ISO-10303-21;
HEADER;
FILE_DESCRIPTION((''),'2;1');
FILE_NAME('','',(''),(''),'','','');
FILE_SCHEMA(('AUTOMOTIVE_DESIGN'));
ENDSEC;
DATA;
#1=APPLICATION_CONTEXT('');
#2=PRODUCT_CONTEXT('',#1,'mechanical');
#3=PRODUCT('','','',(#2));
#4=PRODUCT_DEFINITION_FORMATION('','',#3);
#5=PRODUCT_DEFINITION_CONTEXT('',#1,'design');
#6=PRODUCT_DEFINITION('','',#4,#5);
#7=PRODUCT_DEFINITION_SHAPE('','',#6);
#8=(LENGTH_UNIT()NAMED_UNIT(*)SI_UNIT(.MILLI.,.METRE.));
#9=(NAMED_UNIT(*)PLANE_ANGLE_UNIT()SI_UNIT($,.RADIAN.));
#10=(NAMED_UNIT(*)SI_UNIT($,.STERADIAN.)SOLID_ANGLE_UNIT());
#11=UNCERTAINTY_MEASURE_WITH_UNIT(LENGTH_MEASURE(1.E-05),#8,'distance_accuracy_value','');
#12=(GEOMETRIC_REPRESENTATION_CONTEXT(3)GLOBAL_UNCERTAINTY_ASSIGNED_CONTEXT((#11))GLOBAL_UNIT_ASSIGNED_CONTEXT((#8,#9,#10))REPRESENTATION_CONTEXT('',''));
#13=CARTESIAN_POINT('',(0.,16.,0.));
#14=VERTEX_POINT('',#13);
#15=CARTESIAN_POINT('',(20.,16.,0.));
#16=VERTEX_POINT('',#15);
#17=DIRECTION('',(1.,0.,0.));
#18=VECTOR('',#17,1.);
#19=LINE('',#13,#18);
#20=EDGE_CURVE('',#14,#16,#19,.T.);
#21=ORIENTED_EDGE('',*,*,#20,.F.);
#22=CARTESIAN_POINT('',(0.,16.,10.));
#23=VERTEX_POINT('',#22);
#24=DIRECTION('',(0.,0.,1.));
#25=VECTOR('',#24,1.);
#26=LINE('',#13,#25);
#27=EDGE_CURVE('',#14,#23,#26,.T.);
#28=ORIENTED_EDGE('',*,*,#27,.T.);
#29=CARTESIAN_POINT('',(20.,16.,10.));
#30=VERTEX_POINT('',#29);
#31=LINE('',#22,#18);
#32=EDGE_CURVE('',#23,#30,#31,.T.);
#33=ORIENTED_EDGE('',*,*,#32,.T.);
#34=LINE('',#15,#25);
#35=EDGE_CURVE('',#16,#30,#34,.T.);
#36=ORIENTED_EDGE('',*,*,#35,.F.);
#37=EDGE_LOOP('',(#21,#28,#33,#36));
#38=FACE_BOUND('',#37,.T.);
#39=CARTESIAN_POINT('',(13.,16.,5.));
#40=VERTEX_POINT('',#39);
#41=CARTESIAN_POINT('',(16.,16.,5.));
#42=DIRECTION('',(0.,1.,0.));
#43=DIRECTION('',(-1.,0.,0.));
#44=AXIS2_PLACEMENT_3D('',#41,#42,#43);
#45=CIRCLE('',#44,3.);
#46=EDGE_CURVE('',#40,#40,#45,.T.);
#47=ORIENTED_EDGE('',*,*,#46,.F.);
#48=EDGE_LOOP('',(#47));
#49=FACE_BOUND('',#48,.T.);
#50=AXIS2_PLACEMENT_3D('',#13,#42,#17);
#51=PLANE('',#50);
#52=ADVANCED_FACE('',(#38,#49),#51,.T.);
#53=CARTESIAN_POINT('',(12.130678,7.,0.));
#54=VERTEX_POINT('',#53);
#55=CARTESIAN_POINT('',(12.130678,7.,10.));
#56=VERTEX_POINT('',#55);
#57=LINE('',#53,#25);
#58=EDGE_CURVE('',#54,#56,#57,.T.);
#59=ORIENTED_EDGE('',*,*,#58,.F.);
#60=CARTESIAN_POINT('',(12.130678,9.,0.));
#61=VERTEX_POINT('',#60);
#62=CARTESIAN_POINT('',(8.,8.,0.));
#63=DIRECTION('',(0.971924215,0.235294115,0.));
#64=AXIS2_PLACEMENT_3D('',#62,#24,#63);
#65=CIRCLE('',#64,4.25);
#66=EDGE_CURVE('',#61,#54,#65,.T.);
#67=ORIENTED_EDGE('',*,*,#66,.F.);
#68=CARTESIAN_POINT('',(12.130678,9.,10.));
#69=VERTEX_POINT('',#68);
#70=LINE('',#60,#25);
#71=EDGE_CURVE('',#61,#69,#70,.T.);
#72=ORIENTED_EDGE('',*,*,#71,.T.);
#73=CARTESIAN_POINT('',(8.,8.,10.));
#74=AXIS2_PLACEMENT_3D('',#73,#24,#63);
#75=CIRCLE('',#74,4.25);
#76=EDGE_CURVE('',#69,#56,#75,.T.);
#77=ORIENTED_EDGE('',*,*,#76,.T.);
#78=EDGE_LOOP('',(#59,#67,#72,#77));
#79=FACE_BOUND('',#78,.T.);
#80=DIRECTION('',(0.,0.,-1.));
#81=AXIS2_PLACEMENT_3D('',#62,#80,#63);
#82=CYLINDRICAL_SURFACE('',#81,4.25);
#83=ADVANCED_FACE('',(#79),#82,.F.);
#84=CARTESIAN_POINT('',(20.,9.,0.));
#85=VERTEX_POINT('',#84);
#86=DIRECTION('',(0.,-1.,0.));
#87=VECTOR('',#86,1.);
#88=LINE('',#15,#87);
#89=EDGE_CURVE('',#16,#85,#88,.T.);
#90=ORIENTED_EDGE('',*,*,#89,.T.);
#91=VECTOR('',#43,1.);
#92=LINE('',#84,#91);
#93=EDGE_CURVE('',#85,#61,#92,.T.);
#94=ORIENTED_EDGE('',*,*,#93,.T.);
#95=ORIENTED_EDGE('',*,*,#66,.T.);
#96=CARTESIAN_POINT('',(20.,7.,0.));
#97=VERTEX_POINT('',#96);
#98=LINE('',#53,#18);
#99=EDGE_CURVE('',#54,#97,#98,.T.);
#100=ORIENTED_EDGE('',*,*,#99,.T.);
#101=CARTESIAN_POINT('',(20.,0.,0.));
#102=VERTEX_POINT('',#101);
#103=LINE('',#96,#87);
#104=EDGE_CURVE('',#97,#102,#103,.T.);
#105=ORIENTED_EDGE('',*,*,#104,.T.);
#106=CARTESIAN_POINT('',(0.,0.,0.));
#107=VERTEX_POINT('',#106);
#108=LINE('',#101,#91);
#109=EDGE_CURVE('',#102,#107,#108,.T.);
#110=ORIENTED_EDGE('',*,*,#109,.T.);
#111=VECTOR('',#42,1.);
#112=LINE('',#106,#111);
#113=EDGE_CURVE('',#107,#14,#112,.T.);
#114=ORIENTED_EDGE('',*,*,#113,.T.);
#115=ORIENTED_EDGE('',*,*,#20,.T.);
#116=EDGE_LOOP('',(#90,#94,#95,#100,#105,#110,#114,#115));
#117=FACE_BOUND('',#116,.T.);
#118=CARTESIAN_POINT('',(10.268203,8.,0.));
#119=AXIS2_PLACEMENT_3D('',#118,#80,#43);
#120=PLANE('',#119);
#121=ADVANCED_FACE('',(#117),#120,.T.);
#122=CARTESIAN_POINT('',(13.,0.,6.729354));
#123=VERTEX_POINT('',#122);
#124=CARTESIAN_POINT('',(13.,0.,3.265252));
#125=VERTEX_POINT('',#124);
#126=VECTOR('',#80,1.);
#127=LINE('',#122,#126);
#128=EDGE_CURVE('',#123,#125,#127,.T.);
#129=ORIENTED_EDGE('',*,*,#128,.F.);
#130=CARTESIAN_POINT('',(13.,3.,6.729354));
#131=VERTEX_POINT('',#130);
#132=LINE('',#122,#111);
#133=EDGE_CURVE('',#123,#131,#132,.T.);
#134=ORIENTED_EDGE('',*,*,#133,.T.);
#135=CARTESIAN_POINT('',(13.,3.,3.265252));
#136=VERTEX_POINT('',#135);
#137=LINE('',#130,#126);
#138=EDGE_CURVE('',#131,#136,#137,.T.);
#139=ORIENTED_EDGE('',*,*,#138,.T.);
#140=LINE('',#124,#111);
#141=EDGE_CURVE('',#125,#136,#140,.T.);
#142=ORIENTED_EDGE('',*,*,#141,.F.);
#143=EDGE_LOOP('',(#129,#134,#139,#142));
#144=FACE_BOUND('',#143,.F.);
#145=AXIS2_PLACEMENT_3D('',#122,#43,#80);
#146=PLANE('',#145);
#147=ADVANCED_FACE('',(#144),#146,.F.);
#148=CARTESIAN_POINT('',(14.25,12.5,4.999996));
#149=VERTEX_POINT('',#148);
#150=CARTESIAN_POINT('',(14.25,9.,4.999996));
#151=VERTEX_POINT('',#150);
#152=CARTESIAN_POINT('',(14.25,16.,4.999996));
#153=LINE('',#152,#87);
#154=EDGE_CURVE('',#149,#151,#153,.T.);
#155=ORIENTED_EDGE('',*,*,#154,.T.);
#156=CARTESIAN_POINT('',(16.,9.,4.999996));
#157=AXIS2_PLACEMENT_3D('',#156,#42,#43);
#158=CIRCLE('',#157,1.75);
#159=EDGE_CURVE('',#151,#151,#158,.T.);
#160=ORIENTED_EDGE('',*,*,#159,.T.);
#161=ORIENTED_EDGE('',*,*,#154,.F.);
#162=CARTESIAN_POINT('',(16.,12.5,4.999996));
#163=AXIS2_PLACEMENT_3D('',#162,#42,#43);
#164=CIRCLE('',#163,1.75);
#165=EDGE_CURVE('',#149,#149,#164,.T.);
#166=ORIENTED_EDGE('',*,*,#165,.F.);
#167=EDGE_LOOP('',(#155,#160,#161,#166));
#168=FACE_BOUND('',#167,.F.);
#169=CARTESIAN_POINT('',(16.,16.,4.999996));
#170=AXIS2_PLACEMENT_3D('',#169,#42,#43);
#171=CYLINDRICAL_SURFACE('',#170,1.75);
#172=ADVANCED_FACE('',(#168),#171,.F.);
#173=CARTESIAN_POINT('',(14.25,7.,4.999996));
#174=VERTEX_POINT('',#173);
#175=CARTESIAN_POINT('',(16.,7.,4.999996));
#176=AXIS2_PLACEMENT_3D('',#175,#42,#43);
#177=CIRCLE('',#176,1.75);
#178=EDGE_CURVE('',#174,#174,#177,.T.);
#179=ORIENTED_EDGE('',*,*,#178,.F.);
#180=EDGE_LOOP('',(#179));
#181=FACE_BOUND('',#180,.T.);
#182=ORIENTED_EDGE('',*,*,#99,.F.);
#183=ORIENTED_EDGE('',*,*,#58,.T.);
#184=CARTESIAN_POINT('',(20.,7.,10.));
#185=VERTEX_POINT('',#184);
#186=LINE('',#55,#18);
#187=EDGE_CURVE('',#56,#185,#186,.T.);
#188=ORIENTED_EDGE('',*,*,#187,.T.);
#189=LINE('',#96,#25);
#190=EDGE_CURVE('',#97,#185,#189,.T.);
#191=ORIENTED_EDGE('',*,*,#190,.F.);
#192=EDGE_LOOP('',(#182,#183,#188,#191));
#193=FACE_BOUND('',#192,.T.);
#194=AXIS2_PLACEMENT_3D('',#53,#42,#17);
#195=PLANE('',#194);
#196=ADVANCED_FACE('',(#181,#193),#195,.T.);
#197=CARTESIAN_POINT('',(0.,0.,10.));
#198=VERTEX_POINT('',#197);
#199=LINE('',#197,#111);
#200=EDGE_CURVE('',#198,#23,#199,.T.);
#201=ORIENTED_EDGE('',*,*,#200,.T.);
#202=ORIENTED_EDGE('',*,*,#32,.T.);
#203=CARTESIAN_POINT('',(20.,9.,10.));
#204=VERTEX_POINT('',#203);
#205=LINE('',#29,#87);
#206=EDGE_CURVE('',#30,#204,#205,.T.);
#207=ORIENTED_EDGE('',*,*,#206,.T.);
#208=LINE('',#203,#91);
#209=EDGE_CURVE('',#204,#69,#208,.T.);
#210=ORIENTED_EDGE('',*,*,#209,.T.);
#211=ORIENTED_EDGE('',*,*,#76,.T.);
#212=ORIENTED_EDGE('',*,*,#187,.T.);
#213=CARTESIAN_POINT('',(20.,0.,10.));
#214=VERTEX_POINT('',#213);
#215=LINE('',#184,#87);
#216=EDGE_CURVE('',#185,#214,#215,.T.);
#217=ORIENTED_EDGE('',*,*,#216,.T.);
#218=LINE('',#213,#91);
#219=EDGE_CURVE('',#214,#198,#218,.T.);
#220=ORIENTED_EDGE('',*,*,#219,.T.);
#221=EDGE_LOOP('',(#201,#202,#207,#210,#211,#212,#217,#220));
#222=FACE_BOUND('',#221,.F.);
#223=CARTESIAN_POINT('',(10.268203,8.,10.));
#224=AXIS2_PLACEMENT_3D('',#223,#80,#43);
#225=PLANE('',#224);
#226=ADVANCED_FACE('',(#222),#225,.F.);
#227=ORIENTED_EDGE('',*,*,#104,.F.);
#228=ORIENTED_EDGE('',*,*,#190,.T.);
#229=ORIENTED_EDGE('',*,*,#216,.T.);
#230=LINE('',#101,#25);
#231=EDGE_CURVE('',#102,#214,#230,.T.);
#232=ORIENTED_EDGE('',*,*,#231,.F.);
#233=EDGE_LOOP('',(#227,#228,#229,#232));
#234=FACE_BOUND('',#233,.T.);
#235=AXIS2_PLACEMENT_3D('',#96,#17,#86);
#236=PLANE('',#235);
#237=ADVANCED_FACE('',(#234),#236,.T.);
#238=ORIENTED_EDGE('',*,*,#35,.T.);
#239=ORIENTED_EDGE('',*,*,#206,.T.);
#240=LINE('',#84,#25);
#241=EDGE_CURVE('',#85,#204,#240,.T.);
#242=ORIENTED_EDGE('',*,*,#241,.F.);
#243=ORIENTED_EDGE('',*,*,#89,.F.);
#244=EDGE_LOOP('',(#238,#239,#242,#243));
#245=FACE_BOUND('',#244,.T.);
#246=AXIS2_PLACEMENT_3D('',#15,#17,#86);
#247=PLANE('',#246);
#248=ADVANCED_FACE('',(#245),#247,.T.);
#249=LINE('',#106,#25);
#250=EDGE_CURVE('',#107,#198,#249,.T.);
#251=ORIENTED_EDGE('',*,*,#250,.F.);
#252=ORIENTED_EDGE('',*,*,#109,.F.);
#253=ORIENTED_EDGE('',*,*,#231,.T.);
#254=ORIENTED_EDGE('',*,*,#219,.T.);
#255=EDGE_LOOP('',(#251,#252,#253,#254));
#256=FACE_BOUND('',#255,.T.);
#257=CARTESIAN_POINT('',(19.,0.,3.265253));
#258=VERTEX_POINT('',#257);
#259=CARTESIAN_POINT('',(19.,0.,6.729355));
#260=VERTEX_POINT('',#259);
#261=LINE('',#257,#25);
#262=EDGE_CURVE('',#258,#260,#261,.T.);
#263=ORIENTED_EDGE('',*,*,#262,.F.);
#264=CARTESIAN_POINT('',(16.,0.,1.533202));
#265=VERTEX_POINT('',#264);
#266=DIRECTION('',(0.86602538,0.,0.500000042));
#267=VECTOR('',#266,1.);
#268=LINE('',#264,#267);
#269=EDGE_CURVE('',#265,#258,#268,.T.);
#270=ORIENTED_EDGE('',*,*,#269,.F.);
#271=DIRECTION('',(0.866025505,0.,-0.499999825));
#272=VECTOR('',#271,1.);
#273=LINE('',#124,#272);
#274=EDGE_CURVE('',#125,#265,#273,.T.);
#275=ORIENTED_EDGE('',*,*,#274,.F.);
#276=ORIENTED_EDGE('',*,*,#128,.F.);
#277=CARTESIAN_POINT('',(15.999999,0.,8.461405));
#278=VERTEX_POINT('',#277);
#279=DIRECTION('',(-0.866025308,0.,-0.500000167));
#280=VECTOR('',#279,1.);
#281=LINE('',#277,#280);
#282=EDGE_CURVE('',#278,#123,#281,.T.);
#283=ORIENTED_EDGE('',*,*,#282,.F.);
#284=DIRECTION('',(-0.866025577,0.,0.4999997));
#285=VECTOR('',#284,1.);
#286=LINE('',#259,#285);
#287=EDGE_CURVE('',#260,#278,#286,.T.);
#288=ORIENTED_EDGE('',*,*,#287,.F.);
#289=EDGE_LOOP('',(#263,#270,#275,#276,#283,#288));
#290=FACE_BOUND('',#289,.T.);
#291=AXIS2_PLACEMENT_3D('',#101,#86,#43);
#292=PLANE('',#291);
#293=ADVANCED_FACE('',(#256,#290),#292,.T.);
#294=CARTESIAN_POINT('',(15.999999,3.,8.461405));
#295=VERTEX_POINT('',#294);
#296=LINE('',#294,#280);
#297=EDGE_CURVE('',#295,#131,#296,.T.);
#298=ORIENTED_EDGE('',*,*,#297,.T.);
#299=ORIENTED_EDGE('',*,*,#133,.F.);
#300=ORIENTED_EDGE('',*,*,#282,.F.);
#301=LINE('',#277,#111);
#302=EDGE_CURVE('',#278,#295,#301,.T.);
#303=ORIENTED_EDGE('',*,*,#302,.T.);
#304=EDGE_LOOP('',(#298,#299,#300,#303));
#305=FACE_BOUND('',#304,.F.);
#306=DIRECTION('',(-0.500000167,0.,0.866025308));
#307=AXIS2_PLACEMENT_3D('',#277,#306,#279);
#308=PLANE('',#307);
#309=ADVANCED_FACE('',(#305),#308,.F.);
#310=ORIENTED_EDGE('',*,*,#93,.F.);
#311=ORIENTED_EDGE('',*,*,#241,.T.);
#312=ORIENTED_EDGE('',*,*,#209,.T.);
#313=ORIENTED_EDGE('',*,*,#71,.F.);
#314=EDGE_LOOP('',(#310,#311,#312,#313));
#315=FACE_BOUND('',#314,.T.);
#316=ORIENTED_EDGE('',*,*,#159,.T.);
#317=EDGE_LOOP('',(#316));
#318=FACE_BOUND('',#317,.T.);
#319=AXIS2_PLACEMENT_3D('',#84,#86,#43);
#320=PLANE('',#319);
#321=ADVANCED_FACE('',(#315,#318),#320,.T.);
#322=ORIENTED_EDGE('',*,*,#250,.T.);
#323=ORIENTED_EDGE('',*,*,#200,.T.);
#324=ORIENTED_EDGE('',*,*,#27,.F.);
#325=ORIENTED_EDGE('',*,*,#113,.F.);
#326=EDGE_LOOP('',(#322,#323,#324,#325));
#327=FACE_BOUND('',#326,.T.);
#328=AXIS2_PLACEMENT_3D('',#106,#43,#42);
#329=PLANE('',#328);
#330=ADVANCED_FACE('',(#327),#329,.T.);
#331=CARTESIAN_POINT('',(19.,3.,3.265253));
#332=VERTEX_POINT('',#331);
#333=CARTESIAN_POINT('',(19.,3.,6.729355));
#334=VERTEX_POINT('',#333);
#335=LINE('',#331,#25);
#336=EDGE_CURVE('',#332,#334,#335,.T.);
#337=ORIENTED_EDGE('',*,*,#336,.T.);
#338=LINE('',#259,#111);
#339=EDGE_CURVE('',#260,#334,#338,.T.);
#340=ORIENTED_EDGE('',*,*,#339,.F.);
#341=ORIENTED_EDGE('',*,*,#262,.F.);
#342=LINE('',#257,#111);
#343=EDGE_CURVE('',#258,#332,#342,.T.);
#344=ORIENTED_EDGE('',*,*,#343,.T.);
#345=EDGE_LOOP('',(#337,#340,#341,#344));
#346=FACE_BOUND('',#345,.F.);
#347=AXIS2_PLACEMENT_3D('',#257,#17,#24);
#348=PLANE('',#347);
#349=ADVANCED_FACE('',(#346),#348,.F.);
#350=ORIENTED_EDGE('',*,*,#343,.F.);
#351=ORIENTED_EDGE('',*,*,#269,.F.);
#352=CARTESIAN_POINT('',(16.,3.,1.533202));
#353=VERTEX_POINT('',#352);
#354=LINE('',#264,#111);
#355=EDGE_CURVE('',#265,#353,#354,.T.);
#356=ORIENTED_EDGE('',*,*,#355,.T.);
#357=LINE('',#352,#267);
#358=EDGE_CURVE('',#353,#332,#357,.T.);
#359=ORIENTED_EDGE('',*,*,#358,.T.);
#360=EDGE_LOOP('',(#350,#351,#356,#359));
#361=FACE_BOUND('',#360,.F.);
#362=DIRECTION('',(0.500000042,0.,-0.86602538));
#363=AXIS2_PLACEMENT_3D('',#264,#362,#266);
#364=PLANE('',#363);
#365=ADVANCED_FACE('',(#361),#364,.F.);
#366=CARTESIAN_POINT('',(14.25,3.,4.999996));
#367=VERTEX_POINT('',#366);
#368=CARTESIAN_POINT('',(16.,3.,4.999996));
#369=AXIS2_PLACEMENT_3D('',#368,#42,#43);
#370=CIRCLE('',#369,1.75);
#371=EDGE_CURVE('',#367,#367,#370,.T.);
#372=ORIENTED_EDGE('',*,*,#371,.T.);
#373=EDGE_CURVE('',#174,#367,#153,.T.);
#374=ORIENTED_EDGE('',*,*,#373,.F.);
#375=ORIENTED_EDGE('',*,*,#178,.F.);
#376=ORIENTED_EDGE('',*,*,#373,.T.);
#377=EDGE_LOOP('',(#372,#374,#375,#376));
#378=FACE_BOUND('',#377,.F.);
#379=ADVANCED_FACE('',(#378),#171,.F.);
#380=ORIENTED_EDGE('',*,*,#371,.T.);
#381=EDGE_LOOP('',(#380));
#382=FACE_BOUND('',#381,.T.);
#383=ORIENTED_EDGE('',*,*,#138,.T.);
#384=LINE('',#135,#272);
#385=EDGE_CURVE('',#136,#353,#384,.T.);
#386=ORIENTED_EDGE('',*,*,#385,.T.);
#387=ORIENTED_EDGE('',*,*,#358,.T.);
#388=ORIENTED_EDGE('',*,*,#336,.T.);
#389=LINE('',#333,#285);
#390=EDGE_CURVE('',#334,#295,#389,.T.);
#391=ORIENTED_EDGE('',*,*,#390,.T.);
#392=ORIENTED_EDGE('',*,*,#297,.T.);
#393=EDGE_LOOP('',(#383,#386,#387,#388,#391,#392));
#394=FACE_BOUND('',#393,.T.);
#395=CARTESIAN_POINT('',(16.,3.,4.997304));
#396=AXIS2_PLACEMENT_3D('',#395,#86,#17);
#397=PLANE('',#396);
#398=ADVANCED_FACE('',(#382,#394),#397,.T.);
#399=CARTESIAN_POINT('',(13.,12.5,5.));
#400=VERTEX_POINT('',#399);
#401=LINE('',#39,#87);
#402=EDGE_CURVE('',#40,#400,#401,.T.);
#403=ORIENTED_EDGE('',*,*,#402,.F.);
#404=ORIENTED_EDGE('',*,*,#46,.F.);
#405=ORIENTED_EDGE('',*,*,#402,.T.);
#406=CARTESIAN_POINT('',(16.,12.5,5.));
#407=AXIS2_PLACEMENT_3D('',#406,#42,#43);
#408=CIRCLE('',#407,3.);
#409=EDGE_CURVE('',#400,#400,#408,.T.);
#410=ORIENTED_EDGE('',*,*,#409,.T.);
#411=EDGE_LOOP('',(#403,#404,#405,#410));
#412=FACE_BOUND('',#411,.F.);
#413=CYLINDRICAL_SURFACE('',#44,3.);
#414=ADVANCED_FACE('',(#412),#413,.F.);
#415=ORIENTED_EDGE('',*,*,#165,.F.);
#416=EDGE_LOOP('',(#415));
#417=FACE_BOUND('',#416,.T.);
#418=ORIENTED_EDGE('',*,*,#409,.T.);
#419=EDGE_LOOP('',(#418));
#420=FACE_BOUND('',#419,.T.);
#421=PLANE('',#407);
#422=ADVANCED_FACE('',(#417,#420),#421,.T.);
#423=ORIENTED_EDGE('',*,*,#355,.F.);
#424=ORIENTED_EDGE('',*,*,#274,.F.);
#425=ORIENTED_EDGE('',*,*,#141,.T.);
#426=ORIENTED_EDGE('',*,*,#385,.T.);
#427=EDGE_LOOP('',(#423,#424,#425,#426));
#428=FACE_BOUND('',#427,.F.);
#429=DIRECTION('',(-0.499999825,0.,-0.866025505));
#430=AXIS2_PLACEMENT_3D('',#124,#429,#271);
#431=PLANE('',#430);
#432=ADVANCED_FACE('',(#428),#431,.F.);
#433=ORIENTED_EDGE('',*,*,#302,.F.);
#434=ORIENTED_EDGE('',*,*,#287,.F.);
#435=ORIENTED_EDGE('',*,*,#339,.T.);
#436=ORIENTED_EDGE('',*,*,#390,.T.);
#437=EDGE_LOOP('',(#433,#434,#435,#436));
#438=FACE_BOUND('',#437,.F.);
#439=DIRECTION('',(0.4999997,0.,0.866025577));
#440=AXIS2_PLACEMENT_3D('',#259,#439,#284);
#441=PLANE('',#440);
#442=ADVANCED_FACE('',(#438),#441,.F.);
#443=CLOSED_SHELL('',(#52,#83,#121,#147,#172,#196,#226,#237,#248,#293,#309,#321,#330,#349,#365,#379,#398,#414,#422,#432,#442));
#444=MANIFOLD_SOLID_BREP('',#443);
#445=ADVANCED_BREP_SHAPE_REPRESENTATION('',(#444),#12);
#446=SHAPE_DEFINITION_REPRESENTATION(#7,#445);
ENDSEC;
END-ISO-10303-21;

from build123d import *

# Parameters (mm, degrees)
PAD_DEPTH       = 10
SKETCH001_R     = 1.75
POCKET_DEPTH    = 16
SKETCH002_R     = 3
POCKET001_DEPTH = 3.5
POCKET002_DEPTH = 3


with BuildPart() as part:
    # Sketch → Pad (new body)
    with BuildSketch(Plane.XY):
        with BuildLine():
            Line((0, 0), (0, 16))
            Line((0, 16), (20, 16))
            Line((20, 16), (20, 9))
            Line((20, 9), (12.130678, 9))
            ThreePointArc((12.130678, 9), (3.75, 8), (12.130678, 7))
            Line((12.130678, 7), (20, 7))
            Line((20, 7), (20, 0))
            Line((20, 0), (0, 0))
        make_face()
    extrude(amount=PAD_DEPTH)

    # Sketch001 → Pocket (cut)
    with BuildSketch(Plane(origin=(0, 16, 0), x_dir=(-1, 0, 0), z_dir=(0, 1, 0))):
        with Locations((-16, 4.999996)):
            Circle(SKETCH001_R)
    extrude(amount=-POCKET_DEPTH, mode=Mode.SUBTRACT)

    # Sketch002 → Pocket001 (cut)
    with BuildSketch(Plane(origin=(0, 16, 0), x_dir=(-1, 0, 0), z_dir=(0, 1, 0))):
        with Locations((-16, 5)):
            Circle(SKETCH002_R)
    extrude(amount=-POCKET001_DEPTH, mode=Mode.SUBTRACT)

    # Sketch003 → Pocket002 (cut)
    with BuildSketch(Plane.XZ):
        Polygon((15.999999, 8.461405), (13, 6.729354), (13, 3.265252), (16, 1.533202), (19, 3.265253), (19, 6.729355), align=None)
    extrude(amount=-POCKET002_DEPTH, mode=Mode.SUBTRACT)


solid = part.part
